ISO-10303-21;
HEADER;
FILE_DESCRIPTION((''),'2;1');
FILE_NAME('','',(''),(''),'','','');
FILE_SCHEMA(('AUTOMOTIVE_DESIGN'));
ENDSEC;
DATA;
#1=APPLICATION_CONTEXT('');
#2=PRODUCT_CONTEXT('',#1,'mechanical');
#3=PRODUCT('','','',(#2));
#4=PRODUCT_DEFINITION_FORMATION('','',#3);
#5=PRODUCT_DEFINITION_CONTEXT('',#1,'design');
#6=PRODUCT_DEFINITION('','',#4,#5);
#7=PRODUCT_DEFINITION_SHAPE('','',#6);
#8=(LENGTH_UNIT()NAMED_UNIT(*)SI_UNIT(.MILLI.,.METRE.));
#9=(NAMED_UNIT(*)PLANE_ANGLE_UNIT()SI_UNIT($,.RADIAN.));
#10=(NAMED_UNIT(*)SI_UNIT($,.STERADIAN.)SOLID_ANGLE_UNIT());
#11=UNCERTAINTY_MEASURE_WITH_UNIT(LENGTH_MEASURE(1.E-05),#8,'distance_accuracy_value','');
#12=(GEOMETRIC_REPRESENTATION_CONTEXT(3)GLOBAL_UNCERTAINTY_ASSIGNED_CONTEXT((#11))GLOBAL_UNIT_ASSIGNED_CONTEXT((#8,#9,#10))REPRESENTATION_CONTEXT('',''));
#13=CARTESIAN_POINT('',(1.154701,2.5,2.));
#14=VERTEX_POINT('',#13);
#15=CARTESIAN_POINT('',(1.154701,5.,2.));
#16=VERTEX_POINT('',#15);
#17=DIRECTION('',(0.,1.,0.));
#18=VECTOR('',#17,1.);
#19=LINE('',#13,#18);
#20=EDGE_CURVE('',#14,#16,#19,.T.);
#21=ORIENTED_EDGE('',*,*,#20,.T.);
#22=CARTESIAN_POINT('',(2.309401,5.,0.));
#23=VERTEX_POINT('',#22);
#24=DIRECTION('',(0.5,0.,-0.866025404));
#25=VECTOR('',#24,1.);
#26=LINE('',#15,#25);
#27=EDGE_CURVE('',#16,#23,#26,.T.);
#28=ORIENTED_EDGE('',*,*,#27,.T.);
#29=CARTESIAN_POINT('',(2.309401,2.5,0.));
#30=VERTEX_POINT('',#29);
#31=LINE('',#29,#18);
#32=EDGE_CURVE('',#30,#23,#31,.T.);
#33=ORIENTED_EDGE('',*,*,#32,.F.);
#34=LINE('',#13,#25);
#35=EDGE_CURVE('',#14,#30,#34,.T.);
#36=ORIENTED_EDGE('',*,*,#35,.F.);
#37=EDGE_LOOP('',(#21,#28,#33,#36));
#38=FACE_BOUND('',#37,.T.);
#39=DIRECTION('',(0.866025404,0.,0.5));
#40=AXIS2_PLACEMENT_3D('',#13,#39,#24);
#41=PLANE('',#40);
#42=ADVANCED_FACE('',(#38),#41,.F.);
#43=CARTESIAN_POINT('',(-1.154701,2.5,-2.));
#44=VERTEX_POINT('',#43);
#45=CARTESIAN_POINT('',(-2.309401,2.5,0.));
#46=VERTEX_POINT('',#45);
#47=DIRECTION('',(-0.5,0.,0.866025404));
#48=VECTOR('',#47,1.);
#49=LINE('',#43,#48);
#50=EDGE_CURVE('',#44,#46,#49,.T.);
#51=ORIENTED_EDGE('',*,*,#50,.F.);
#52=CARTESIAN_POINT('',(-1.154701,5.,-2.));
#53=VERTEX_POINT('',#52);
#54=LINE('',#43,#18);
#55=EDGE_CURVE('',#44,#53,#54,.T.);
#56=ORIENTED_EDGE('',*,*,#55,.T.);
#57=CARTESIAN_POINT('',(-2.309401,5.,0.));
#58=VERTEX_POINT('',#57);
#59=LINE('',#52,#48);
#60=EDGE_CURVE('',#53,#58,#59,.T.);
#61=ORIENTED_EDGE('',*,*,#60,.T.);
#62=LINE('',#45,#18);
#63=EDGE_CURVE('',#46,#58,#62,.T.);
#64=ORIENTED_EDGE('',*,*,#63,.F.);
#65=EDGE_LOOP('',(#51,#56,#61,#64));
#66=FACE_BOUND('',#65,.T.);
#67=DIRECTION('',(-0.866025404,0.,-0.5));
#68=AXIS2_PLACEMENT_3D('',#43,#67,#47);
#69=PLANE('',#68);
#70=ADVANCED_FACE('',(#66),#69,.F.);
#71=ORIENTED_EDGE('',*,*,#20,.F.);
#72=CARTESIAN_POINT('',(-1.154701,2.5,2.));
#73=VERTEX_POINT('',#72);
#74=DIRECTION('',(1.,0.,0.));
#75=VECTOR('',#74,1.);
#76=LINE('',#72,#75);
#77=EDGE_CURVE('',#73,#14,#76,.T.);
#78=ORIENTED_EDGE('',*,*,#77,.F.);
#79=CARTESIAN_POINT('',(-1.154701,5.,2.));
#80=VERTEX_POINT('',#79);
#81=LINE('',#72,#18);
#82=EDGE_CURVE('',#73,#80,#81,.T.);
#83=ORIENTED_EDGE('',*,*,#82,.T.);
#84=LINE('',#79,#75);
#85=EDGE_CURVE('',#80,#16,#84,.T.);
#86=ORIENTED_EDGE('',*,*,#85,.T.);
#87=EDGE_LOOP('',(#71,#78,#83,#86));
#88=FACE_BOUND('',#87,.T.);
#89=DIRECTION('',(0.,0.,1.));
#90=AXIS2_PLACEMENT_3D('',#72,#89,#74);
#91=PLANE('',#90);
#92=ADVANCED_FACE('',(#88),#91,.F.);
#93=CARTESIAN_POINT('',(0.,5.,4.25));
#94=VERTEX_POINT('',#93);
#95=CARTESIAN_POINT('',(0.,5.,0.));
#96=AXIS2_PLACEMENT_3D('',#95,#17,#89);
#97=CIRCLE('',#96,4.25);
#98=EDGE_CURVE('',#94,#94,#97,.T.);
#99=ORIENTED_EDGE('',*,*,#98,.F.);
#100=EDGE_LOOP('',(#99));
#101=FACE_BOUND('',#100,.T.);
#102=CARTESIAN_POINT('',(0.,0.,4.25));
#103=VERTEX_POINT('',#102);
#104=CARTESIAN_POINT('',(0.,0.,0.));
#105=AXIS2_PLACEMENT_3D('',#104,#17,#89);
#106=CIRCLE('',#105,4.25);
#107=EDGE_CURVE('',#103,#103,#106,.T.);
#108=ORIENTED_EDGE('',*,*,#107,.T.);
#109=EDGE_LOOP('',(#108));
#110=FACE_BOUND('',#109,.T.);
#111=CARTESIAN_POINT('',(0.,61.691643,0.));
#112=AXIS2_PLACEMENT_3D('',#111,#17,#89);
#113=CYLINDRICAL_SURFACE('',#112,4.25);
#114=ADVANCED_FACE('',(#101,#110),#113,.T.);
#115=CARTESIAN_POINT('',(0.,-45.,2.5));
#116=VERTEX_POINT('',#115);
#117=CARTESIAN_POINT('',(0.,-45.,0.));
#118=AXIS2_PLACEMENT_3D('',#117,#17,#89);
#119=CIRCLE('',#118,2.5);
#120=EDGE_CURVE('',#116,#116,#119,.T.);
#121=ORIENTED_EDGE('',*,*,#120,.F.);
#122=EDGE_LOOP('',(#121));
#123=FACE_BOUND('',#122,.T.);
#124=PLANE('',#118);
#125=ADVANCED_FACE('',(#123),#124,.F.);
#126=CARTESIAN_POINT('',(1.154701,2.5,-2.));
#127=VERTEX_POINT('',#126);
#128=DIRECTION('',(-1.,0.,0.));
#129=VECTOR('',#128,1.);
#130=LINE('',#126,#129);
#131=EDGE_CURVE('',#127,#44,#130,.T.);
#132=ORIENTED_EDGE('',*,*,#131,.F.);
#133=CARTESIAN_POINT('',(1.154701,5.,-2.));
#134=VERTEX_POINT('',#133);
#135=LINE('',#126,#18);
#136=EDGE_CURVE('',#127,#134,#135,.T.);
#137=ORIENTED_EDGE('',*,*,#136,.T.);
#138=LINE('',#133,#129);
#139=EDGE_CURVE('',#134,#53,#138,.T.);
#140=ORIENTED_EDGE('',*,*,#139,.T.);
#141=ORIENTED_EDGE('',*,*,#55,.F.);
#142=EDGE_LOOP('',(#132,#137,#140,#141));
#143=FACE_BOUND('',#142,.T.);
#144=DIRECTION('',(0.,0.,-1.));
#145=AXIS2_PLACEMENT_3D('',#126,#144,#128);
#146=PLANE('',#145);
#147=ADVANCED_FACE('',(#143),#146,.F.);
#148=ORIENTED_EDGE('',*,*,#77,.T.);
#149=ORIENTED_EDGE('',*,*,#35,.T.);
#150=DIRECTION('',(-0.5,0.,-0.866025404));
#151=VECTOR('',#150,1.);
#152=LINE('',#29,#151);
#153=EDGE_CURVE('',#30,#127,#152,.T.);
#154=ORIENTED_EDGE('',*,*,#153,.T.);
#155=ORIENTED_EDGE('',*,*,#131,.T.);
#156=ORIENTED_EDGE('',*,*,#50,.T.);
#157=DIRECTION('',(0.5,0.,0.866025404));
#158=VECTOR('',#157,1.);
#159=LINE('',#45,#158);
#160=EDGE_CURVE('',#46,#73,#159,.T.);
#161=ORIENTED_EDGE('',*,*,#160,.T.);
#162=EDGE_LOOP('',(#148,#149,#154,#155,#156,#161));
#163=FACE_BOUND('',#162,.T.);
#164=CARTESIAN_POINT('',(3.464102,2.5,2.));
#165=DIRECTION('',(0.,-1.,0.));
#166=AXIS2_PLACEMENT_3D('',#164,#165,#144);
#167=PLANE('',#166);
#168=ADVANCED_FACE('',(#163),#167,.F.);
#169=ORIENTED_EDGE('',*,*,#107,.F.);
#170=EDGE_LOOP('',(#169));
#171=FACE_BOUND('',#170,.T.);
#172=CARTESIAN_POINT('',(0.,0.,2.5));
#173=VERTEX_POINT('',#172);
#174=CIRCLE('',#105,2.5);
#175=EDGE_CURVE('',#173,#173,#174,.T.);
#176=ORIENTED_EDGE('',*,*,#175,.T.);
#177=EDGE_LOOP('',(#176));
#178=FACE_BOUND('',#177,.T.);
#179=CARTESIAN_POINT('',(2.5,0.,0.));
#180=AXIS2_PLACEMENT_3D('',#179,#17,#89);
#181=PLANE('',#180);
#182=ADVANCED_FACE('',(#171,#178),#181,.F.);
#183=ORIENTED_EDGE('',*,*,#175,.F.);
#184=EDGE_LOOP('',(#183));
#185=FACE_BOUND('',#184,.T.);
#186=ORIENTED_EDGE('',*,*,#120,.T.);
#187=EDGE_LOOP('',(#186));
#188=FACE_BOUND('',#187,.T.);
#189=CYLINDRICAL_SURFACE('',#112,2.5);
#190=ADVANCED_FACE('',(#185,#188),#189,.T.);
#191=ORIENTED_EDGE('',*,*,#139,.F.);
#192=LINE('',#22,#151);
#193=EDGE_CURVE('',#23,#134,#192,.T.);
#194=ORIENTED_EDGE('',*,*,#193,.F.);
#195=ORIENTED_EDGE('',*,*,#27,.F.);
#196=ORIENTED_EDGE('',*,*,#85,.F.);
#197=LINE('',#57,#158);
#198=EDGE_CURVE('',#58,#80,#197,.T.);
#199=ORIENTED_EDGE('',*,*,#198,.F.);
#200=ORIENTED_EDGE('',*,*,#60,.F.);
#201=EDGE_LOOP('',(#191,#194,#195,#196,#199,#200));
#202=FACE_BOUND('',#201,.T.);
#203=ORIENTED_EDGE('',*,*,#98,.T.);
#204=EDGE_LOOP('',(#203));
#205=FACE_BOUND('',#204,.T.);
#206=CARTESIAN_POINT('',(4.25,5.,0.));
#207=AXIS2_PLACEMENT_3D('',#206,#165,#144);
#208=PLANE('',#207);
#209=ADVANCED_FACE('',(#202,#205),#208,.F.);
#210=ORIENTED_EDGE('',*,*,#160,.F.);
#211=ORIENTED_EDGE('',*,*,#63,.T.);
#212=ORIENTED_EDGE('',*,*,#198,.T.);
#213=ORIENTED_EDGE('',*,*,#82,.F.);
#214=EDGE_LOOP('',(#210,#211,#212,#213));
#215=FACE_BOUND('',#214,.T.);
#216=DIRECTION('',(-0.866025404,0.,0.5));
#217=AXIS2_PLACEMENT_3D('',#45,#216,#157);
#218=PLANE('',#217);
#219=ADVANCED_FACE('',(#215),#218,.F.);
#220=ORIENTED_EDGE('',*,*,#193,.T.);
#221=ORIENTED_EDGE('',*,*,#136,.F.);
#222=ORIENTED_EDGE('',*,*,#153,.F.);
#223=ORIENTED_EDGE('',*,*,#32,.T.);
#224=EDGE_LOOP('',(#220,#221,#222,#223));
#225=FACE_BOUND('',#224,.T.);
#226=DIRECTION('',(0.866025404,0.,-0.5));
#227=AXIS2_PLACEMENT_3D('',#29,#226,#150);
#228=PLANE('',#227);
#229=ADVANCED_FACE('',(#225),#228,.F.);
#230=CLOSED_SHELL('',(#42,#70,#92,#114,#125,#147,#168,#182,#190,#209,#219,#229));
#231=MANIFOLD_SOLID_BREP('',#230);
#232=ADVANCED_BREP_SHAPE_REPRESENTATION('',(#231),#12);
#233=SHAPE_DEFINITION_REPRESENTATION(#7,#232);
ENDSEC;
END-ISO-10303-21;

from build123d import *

# Parameters (mm, degrees)
CUT_EXTRUDE1_DEPTH = 2.5


with BuildPart() as part:
    # Sketch1 → Revolve1 (revolve)
    with BuildSketch(Plane.XY, mode=Mode.PRIVATE) as revolve1_sk:
        Polygon((0, -45), (2.5, -45), (2.5, 0), (4.25, 0), (4.25, 5), (0, 5), align=None)
    revolve(revolve1_sk.sketch.rotate(Axis((0, 61.691642626, 0), (0, -1, 0)), 90), axis=Axis((0, 61.691642626, 0), (0, -1, 0)))

    # Sketch2 → Cut-Extrude1 (cut)
    with BuildSketch(Plane(origin=(0, 5, 0), x_dir=(-1, 0, 0), z_dir=(0, 1, 0))):
        Polygon((-1.154700538, -2), (1.154700538, -2), (2.309401077, 0), (1.154700538, 2), (-1.154700538, 2), (-2.309401077, 0), align=None)
    extrude(amount=-CUT_EXTRUDE1_DEPTH, mode=Mode.SUBTRACT)


solid = part.part
